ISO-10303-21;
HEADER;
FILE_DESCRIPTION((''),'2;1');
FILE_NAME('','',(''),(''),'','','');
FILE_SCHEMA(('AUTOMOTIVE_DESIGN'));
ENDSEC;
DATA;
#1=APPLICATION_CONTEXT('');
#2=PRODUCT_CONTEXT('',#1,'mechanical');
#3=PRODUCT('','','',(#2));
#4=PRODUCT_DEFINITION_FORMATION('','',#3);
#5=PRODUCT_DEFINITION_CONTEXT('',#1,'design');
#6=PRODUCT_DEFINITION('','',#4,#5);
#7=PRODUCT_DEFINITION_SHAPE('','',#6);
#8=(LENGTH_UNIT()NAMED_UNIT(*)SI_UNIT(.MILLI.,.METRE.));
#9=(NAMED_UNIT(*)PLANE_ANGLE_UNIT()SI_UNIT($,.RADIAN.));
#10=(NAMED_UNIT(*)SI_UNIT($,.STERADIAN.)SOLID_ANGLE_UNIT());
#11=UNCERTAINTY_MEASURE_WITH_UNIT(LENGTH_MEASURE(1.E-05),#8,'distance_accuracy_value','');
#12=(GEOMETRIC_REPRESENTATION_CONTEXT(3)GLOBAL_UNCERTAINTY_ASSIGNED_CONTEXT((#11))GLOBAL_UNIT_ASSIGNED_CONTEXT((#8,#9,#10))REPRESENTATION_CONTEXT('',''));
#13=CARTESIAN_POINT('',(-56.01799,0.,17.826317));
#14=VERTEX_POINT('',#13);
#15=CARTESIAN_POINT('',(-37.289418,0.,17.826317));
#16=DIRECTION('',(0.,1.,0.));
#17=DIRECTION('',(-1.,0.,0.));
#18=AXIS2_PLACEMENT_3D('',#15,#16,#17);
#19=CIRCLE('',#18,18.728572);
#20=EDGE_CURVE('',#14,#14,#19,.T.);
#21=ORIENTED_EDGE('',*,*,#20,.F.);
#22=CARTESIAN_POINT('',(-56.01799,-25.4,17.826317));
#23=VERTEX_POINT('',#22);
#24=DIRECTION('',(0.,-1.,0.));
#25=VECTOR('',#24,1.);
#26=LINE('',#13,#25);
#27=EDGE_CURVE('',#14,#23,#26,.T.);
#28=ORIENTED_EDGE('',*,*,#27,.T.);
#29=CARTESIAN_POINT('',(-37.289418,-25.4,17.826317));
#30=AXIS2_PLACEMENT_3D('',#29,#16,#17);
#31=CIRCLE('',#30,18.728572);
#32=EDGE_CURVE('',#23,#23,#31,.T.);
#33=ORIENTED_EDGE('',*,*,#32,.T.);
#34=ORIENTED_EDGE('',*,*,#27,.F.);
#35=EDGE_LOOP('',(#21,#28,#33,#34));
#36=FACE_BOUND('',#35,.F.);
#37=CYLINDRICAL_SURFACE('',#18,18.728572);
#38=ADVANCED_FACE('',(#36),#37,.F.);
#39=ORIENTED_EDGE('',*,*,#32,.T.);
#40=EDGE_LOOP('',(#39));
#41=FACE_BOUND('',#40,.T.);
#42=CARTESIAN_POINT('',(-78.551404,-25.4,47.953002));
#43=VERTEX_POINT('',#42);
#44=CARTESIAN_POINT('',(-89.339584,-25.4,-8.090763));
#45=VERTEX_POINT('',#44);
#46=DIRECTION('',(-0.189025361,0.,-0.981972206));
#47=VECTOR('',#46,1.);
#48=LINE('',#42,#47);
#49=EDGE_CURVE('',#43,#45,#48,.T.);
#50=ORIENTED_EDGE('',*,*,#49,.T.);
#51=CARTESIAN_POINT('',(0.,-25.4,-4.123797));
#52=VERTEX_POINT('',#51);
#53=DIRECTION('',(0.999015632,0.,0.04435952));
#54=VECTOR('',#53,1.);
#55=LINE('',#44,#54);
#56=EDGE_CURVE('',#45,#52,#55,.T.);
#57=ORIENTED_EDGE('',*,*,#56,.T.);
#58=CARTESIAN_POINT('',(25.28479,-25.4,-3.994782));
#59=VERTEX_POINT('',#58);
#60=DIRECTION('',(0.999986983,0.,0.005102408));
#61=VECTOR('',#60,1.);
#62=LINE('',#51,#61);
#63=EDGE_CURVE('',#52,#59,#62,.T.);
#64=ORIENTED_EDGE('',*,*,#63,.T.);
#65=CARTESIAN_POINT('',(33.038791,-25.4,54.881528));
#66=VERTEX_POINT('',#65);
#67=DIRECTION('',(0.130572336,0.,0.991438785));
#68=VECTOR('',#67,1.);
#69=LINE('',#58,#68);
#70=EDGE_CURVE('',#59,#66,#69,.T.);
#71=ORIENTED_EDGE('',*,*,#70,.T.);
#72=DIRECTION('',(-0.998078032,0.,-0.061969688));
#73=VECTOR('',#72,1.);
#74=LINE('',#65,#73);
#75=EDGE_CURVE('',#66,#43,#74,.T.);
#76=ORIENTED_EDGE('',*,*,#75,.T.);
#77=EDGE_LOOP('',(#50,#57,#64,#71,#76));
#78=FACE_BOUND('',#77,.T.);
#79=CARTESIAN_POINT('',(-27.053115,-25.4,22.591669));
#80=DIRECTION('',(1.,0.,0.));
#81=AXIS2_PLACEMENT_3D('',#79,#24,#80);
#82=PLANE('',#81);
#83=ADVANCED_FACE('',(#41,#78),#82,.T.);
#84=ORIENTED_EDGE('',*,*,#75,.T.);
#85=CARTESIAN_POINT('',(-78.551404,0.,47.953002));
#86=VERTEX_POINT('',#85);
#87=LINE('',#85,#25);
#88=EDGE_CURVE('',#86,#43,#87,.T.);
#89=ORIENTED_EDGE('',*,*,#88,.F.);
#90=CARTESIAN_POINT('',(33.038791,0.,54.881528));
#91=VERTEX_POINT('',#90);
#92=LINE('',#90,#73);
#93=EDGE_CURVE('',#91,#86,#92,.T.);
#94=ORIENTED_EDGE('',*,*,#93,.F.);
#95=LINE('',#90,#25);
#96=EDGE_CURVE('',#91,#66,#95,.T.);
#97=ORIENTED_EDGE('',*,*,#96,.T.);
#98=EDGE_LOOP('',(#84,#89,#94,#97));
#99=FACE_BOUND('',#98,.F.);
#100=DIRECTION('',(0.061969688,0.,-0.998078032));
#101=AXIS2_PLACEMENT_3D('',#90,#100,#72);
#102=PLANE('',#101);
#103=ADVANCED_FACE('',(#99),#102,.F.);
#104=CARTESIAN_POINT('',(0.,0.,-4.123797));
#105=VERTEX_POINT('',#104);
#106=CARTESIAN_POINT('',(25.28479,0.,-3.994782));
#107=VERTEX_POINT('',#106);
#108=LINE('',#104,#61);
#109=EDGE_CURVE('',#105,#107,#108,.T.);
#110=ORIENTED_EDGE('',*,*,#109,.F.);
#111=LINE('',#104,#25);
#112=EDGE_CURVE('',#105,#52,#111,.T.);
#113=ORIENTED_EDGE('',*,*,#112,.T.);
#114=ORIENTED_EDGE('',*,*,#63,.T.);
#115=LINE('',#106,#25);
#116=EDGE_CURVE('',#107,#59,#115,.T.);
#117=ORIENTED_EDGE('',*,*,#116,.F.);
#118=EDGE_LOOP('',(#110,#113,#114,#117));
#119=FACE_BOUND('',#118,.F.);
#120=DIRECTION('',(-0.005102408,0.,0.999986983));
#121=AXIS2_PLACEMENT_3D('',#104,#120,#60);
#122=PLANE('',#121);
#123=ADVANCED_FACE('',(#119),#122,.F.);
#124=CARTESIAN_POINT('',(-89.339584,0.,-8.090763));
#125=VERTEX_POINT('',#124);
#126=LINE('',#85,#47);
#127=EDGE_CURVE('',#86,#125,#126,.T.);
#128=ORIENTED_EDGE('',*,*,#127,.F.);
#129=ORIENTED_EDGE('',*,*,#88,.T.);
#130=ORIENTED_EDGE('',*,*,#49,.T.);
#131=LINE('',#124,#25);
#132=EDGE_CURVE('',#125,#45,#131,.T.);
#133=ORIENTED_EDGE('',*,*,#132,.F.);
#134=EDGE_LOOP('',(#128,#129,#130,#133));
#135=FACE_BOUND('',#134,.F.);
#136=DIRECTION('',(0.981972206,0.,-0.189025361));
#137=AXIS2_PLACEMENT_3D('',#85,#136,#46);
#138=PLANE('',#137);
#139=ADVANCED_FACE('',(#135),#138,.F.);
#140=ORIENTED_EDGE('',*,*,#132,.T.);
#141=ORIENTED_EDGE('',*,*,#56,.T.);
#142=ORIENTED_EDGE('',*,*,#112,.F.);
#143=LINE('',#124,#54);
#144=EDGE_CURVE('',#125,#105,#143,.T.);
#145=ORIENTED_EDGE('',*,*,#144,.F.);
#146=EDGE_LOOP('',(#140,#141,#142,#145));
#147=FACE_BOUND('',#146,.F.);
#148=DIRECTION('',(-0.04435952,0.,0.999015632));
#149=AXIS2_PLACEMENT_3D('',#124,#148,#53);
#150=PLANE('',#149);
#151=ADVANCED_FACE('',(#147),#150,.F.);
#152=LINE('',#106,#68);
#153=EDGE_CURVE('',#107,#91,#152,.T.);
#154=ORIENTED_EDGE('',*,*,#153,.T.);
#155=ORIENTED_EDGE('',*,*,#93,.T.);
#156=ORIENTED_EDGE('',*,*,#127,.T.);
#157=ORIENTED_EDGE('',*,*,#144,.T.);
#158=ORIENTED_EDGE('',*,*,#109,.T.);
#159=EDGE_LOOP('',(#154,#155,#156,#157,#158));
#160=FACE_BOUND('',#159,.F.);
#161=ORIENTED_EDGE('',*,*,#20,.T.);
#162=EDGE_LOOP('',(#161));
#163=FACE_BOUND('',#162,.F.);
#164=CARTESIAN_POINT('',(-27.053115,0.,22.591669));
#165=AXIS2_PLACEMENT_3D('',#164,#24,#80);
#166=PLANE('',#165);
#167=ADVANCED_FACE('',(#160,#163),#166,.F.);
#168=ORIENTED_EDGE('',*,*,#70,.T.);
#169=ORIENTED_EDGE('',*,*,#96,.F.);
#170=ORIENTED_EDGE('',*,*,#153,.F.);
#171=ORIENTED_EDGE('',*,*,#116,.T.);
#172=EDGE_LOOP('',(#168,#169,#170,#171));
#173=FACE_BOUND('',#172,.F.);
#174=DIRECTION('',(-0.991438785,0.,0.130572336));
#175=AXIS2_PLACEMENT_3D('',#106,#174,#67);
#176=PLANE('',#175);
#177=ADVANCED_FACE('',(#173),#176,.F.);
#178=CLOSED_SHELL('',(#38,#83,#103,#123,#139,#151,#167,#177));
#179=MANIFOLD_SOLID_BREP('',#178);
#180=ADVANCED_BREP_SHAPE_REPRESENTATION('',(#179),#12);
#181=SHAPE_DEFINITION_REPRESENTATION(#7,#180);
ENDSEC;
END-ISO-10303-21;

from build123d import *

# Parameters (mm, degrees)
F1_DEPTH = 25.4
F2_R     = 18.728572
F3_DEPTH = 25.4


with BuildPart() as f1:
    # F0 (on Front) → F1 (new body)
    with BuildSketch(Plane.XZ):
        Polygon((-89.339584, -8.090763), (0, -4.123797), (25.28479, -3.994782), (33.038791, 54.881528), (-78.551404, 47.953002), align=None)
    extrude(amount=F1_DEPTH)

    # F2 (on face) → F3 (cut)
    with BuildSketch(Plane(origin=(0, 0, 0), x_dir=(-1, 0, 0), z_dir=(0, 1, 0))):
        with Locations((37.289418, 17.826317)):
            Circle(F2_R)
    extrude(amount=-F3_DEPTH, mode=Mode.SUBTRACT)


solid = f1.part
